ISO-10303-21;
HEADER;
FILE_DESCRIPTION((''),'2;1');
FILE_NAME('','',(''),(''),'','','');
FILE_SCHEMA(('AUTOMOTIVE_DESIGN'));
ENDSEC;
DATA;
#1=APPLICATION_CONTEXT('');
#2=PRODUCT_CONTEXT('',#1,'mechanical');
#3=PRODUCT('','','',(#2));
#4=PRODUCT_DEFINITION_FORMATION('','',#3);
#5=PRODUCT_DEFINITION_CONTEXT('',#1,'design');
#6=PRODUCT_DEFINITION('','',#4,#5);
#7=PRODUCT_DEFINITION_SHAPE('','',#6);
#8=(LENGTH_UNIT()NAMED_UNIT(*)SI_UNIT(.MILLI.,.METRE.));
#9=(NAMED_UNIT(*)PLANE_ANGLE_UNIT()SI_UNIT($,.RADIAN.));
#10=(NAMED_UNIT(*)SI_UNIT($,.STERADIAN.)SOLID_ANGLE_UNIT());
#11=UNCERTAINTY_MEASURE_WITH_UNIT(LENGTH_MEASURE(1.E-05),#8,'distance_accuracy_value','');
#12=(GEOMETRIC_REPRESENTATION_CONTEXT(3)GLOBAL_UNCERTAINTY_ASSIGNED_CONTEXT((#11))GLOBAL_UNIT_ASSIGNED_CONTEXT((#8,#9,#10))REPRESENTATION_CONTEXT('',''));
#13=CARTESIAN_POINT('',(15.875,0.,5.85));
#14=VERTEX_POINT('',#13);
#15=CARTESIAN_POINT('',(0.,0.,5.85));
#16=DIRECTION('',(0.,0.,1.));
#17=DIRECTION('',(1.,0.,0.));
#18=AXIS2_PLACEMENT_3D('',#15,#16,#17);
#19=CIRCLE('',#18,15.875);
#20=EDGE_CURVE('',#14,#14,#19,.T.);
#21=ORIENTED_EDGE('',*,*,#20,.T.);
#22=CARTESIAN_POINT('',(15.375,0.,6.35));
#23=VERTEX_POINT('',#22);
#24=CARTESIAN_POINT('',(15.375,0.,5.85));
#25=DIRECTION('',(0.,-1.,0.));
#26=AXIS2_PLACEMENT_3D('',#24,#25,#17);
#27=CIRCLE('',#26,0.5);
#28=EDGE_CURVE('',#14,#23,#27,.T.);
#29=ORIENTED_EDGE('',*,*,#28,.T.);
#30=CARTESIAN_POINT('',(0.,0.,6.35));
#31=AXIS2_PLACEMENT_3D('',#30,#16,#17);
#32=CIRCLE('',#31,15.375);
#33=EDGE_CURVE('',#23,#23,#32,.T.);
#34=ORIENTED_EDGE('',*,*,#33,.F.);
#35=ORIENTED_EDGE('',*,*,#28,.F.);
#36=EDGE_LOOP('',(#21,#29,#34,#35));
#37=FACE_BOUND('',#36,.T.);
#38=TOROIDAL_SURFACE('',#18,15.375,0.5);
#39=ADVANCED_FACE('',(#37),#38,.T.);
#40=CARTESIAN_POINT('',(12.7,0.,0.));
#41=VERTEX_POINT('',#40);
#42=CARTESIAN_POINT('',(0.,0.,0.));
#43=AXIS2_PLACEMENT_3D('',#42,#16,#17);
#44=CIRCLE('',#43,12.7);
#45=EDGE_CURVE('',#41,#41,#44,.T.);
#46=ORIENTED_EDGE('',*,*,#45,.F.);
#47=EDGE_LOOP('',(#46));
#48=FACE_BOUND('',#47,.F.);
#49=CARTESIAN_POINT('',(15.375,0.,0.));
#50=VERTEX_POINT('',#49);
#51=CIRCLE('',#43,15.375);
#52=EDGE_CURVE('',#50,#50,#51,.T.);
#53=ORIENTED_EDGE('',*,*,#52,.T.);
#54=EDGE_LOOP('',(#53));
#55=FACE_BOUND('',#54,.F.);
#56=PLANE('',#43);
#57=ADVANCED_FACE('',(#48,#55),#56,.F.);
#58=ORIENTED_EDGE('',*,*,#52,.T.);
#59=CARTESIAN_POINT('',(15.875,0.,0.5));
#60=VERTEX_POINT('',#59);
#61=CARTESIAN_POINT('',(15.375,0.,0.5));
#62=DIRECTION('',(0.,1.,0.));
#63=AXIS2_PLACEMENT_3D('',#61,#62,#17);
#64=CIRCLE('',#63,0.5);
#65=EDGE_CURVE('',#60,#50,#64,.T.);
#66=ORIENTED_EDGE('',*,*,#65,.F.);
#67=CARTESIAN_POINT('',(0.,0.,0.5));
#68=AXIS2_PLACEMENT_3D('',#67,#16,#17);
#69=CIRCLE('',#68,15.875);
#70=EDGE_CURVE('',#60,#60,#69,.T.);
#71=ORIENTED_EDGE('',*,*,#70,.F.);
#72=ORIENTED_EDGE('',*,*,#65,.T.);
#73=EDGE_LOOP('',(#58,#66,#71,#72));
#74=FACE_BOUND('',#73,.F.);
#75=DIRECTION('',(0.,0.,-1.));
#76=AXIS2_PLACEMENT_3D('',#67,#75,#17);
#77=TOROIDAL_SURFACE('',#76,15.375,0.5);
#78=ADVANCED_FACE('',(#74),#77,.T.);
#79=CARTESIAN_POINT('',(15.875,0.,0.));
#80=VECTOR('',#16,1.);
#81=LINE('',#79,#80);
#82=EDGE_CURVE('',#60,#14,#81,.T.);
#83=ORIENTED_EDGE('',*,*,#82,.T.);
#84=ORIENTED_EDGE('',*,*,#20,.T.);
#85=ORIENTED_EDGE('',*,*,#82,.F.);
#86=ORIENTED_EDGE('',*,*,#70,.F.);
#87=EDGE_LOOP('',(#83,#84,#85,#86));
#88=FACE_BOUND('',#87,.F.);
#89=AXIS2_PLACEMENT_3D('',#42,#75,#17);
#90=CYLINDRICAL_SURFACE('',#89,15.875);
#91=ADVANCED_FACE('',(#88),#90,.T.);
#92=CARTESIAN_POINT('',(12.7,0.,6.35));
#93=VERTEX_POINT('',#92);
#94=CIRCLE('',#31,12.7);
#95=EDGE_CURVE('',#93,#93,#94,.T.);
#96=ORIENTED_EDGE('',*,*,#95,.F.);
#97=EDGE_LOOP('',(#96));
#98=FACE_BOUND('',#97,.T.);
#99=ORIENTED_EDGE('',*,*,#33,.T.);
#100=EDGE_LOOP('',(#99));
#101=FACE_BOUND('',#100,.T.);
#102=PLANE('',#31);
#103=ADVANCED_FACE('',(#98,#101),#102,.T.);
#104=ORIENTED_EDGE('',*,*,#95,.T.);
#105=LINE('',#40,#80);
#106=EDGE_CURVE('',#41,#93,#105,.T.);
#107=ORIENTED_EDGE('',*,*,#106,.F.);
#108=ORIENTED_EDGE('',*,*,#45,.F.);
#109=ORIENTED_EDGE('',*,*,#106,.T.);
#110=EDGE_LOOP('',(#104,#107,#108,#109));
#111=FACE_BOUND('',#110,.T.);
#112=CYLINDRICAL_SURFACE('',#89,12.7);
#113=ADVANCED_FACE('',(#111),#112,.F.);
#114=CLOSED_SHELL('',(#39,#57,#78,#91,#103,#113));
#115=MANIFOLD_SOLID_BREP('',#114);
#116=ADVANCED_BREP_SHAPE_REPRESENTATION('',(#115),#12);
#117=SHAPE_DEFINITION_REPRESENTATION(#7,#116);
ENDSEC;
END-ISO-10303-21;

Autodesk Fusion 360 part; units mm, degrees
sketch "Sketch1" plane through (0, 0, 0) normal (0, 0, 1) x (1, 0, 0)
  circle A0 centre (0, 0) radius 15.875
  circle A1 centre (0, 0) radius 12.7
  dimension "d1" = 31.75
  dimension "d2" = 25.4
extrude "Extrude1" add sketch "Sketch1" along normal blind 6.35
fillet "Fillet1" radius 0.5 2 edges at (-14.8007, -5.7406, 0) (-14.8007, -5.7406, 6.35)
